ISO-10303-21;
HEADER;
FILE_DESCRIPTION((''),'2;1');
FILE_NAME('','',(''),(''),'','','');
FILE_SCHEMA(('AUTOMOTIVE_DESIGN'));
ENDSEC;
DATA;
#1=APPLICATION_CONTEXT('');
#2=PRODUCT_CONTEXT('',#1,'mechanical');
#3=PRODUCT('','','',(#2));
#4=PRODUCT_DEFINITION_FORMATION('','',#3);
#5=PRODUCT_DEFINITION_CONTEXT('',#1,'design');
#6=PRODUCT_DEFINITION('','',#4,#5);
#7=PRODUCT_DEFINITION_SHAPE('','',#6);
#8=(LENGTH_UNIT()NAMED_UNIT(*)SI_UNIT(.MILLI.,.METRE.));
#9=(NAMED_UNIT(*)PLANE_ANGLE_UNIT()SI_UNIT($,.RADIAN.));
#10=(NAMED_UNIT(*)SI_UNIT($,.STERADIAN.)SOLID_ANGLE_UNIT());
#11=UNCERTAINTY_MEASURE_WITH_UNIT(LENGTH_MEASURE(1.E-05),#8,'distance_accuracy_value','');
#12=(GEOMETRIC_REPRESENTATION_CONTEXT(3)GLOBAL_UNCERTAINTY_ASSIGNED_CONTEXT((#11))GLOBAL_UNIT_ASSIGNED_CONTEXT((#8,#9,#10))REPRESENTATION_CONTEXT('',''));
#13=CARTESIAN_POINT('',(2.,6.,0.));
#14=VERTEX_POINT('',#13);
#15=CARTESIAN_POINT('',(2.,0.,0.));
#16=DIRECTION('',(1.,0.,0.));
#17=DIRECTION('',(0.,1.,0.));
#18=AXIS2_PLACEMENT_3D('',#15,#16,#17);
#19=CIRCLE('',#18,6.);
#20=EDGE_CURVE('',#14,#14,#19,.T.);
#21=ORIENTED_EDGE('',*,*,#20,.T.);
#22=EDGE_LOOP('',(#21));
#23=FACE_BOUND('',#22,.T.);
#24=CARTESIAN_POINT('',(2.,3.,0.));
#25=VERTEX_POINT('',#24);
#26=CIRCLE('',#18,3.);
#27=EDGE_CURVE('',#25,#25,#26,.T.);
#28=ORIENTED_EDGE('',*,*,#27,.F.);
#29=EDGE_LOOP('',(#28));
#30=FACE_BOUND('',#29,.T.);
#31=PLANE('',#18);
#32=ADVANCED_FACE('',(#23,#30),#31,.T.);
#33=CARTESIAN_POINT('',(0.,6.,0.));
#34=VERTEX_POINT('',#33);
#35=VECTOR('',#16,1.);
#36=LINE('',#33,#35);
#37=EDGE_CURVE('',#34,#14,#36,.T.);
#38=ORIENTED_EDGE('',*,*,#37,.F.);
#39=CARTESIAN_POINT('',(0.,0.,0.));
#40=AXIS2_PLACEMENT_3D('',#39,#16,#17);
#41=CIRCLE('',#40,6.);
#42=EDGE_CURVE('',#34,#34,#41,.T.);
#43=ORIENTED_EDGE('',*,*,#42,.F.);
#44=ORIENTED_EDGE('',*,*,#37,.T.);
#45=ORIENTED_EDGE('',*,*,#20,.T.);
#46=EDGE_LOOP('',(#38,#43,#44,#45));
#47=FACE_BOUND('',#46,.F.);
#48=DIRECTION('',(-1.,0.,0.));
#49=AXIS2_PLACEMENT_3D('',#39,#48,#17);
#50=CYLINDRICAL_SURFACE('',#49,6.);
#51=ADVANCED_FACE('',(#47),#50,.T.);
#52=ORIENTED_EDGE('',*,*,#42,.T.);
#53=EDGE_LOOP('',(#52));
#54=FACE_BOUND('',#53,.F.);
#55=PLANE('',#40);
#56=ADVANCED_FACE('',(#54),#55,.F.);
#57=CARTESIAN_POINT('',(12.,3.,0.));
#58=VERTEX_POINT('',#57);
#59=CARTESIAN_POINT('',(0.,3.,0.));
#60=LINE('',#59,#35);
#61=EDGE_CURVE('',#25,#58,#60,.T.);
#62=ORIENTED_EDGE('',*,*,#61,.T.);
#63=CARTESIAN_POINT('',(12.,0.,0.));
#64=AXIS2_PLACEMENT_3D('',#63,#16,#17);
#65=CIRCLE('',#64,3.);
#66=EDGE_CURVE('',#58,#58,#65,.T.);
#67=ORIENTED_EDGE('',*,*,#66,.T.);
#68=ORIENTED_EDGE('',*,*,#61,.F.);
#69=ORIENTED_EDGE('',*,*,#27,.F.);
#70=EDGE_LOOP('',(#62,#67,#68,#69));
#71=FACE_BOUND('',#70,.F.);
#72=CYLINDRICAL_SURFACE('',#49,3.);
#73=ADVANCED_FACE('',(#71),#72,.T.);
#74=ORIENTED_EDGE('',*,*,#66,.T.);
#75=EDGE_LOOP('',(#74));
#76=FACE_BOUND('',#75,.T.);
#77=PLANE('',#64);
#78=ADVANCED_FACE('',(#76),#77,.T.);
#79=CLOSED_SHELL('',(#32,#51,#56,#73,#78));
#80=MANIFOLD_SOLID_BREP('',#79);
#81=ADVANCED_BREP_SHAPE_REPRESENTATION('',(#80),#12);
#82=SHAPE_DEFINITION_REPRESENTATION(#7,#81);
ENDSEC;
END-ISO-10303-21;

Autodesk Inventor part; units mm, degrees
ref_plane "YZ Plane" through (0, 0, 0) normal (1, 0, 0) x (0, 1, 0)
ref_plane "XZ Plane" through (0, 0, 0) normal (0, 1, 0) x (-1, 0, 0)
ref_plane "XY Plane" through (0, 0, 0) normal (0, 0, 1) x (1, 0, 0)
sketch "Sketch1" plane through (0, 0, 0) normal (1, 0, 0) x (0, 1, 0)
  circle A0 centre (0, 0) radius 6
  circle A1 centre (0, 0) radius 3
  dimension "d0" = 12
  dimension "d1" = 6
extrude "Extrusion1" add sketch "Sketch1" along normal blind 12 contours A1
extrude "Extrusion2" add sketch "Sketch1" along normal blind 2
properties part number "pin" material "Bronze, Soft Tin"
